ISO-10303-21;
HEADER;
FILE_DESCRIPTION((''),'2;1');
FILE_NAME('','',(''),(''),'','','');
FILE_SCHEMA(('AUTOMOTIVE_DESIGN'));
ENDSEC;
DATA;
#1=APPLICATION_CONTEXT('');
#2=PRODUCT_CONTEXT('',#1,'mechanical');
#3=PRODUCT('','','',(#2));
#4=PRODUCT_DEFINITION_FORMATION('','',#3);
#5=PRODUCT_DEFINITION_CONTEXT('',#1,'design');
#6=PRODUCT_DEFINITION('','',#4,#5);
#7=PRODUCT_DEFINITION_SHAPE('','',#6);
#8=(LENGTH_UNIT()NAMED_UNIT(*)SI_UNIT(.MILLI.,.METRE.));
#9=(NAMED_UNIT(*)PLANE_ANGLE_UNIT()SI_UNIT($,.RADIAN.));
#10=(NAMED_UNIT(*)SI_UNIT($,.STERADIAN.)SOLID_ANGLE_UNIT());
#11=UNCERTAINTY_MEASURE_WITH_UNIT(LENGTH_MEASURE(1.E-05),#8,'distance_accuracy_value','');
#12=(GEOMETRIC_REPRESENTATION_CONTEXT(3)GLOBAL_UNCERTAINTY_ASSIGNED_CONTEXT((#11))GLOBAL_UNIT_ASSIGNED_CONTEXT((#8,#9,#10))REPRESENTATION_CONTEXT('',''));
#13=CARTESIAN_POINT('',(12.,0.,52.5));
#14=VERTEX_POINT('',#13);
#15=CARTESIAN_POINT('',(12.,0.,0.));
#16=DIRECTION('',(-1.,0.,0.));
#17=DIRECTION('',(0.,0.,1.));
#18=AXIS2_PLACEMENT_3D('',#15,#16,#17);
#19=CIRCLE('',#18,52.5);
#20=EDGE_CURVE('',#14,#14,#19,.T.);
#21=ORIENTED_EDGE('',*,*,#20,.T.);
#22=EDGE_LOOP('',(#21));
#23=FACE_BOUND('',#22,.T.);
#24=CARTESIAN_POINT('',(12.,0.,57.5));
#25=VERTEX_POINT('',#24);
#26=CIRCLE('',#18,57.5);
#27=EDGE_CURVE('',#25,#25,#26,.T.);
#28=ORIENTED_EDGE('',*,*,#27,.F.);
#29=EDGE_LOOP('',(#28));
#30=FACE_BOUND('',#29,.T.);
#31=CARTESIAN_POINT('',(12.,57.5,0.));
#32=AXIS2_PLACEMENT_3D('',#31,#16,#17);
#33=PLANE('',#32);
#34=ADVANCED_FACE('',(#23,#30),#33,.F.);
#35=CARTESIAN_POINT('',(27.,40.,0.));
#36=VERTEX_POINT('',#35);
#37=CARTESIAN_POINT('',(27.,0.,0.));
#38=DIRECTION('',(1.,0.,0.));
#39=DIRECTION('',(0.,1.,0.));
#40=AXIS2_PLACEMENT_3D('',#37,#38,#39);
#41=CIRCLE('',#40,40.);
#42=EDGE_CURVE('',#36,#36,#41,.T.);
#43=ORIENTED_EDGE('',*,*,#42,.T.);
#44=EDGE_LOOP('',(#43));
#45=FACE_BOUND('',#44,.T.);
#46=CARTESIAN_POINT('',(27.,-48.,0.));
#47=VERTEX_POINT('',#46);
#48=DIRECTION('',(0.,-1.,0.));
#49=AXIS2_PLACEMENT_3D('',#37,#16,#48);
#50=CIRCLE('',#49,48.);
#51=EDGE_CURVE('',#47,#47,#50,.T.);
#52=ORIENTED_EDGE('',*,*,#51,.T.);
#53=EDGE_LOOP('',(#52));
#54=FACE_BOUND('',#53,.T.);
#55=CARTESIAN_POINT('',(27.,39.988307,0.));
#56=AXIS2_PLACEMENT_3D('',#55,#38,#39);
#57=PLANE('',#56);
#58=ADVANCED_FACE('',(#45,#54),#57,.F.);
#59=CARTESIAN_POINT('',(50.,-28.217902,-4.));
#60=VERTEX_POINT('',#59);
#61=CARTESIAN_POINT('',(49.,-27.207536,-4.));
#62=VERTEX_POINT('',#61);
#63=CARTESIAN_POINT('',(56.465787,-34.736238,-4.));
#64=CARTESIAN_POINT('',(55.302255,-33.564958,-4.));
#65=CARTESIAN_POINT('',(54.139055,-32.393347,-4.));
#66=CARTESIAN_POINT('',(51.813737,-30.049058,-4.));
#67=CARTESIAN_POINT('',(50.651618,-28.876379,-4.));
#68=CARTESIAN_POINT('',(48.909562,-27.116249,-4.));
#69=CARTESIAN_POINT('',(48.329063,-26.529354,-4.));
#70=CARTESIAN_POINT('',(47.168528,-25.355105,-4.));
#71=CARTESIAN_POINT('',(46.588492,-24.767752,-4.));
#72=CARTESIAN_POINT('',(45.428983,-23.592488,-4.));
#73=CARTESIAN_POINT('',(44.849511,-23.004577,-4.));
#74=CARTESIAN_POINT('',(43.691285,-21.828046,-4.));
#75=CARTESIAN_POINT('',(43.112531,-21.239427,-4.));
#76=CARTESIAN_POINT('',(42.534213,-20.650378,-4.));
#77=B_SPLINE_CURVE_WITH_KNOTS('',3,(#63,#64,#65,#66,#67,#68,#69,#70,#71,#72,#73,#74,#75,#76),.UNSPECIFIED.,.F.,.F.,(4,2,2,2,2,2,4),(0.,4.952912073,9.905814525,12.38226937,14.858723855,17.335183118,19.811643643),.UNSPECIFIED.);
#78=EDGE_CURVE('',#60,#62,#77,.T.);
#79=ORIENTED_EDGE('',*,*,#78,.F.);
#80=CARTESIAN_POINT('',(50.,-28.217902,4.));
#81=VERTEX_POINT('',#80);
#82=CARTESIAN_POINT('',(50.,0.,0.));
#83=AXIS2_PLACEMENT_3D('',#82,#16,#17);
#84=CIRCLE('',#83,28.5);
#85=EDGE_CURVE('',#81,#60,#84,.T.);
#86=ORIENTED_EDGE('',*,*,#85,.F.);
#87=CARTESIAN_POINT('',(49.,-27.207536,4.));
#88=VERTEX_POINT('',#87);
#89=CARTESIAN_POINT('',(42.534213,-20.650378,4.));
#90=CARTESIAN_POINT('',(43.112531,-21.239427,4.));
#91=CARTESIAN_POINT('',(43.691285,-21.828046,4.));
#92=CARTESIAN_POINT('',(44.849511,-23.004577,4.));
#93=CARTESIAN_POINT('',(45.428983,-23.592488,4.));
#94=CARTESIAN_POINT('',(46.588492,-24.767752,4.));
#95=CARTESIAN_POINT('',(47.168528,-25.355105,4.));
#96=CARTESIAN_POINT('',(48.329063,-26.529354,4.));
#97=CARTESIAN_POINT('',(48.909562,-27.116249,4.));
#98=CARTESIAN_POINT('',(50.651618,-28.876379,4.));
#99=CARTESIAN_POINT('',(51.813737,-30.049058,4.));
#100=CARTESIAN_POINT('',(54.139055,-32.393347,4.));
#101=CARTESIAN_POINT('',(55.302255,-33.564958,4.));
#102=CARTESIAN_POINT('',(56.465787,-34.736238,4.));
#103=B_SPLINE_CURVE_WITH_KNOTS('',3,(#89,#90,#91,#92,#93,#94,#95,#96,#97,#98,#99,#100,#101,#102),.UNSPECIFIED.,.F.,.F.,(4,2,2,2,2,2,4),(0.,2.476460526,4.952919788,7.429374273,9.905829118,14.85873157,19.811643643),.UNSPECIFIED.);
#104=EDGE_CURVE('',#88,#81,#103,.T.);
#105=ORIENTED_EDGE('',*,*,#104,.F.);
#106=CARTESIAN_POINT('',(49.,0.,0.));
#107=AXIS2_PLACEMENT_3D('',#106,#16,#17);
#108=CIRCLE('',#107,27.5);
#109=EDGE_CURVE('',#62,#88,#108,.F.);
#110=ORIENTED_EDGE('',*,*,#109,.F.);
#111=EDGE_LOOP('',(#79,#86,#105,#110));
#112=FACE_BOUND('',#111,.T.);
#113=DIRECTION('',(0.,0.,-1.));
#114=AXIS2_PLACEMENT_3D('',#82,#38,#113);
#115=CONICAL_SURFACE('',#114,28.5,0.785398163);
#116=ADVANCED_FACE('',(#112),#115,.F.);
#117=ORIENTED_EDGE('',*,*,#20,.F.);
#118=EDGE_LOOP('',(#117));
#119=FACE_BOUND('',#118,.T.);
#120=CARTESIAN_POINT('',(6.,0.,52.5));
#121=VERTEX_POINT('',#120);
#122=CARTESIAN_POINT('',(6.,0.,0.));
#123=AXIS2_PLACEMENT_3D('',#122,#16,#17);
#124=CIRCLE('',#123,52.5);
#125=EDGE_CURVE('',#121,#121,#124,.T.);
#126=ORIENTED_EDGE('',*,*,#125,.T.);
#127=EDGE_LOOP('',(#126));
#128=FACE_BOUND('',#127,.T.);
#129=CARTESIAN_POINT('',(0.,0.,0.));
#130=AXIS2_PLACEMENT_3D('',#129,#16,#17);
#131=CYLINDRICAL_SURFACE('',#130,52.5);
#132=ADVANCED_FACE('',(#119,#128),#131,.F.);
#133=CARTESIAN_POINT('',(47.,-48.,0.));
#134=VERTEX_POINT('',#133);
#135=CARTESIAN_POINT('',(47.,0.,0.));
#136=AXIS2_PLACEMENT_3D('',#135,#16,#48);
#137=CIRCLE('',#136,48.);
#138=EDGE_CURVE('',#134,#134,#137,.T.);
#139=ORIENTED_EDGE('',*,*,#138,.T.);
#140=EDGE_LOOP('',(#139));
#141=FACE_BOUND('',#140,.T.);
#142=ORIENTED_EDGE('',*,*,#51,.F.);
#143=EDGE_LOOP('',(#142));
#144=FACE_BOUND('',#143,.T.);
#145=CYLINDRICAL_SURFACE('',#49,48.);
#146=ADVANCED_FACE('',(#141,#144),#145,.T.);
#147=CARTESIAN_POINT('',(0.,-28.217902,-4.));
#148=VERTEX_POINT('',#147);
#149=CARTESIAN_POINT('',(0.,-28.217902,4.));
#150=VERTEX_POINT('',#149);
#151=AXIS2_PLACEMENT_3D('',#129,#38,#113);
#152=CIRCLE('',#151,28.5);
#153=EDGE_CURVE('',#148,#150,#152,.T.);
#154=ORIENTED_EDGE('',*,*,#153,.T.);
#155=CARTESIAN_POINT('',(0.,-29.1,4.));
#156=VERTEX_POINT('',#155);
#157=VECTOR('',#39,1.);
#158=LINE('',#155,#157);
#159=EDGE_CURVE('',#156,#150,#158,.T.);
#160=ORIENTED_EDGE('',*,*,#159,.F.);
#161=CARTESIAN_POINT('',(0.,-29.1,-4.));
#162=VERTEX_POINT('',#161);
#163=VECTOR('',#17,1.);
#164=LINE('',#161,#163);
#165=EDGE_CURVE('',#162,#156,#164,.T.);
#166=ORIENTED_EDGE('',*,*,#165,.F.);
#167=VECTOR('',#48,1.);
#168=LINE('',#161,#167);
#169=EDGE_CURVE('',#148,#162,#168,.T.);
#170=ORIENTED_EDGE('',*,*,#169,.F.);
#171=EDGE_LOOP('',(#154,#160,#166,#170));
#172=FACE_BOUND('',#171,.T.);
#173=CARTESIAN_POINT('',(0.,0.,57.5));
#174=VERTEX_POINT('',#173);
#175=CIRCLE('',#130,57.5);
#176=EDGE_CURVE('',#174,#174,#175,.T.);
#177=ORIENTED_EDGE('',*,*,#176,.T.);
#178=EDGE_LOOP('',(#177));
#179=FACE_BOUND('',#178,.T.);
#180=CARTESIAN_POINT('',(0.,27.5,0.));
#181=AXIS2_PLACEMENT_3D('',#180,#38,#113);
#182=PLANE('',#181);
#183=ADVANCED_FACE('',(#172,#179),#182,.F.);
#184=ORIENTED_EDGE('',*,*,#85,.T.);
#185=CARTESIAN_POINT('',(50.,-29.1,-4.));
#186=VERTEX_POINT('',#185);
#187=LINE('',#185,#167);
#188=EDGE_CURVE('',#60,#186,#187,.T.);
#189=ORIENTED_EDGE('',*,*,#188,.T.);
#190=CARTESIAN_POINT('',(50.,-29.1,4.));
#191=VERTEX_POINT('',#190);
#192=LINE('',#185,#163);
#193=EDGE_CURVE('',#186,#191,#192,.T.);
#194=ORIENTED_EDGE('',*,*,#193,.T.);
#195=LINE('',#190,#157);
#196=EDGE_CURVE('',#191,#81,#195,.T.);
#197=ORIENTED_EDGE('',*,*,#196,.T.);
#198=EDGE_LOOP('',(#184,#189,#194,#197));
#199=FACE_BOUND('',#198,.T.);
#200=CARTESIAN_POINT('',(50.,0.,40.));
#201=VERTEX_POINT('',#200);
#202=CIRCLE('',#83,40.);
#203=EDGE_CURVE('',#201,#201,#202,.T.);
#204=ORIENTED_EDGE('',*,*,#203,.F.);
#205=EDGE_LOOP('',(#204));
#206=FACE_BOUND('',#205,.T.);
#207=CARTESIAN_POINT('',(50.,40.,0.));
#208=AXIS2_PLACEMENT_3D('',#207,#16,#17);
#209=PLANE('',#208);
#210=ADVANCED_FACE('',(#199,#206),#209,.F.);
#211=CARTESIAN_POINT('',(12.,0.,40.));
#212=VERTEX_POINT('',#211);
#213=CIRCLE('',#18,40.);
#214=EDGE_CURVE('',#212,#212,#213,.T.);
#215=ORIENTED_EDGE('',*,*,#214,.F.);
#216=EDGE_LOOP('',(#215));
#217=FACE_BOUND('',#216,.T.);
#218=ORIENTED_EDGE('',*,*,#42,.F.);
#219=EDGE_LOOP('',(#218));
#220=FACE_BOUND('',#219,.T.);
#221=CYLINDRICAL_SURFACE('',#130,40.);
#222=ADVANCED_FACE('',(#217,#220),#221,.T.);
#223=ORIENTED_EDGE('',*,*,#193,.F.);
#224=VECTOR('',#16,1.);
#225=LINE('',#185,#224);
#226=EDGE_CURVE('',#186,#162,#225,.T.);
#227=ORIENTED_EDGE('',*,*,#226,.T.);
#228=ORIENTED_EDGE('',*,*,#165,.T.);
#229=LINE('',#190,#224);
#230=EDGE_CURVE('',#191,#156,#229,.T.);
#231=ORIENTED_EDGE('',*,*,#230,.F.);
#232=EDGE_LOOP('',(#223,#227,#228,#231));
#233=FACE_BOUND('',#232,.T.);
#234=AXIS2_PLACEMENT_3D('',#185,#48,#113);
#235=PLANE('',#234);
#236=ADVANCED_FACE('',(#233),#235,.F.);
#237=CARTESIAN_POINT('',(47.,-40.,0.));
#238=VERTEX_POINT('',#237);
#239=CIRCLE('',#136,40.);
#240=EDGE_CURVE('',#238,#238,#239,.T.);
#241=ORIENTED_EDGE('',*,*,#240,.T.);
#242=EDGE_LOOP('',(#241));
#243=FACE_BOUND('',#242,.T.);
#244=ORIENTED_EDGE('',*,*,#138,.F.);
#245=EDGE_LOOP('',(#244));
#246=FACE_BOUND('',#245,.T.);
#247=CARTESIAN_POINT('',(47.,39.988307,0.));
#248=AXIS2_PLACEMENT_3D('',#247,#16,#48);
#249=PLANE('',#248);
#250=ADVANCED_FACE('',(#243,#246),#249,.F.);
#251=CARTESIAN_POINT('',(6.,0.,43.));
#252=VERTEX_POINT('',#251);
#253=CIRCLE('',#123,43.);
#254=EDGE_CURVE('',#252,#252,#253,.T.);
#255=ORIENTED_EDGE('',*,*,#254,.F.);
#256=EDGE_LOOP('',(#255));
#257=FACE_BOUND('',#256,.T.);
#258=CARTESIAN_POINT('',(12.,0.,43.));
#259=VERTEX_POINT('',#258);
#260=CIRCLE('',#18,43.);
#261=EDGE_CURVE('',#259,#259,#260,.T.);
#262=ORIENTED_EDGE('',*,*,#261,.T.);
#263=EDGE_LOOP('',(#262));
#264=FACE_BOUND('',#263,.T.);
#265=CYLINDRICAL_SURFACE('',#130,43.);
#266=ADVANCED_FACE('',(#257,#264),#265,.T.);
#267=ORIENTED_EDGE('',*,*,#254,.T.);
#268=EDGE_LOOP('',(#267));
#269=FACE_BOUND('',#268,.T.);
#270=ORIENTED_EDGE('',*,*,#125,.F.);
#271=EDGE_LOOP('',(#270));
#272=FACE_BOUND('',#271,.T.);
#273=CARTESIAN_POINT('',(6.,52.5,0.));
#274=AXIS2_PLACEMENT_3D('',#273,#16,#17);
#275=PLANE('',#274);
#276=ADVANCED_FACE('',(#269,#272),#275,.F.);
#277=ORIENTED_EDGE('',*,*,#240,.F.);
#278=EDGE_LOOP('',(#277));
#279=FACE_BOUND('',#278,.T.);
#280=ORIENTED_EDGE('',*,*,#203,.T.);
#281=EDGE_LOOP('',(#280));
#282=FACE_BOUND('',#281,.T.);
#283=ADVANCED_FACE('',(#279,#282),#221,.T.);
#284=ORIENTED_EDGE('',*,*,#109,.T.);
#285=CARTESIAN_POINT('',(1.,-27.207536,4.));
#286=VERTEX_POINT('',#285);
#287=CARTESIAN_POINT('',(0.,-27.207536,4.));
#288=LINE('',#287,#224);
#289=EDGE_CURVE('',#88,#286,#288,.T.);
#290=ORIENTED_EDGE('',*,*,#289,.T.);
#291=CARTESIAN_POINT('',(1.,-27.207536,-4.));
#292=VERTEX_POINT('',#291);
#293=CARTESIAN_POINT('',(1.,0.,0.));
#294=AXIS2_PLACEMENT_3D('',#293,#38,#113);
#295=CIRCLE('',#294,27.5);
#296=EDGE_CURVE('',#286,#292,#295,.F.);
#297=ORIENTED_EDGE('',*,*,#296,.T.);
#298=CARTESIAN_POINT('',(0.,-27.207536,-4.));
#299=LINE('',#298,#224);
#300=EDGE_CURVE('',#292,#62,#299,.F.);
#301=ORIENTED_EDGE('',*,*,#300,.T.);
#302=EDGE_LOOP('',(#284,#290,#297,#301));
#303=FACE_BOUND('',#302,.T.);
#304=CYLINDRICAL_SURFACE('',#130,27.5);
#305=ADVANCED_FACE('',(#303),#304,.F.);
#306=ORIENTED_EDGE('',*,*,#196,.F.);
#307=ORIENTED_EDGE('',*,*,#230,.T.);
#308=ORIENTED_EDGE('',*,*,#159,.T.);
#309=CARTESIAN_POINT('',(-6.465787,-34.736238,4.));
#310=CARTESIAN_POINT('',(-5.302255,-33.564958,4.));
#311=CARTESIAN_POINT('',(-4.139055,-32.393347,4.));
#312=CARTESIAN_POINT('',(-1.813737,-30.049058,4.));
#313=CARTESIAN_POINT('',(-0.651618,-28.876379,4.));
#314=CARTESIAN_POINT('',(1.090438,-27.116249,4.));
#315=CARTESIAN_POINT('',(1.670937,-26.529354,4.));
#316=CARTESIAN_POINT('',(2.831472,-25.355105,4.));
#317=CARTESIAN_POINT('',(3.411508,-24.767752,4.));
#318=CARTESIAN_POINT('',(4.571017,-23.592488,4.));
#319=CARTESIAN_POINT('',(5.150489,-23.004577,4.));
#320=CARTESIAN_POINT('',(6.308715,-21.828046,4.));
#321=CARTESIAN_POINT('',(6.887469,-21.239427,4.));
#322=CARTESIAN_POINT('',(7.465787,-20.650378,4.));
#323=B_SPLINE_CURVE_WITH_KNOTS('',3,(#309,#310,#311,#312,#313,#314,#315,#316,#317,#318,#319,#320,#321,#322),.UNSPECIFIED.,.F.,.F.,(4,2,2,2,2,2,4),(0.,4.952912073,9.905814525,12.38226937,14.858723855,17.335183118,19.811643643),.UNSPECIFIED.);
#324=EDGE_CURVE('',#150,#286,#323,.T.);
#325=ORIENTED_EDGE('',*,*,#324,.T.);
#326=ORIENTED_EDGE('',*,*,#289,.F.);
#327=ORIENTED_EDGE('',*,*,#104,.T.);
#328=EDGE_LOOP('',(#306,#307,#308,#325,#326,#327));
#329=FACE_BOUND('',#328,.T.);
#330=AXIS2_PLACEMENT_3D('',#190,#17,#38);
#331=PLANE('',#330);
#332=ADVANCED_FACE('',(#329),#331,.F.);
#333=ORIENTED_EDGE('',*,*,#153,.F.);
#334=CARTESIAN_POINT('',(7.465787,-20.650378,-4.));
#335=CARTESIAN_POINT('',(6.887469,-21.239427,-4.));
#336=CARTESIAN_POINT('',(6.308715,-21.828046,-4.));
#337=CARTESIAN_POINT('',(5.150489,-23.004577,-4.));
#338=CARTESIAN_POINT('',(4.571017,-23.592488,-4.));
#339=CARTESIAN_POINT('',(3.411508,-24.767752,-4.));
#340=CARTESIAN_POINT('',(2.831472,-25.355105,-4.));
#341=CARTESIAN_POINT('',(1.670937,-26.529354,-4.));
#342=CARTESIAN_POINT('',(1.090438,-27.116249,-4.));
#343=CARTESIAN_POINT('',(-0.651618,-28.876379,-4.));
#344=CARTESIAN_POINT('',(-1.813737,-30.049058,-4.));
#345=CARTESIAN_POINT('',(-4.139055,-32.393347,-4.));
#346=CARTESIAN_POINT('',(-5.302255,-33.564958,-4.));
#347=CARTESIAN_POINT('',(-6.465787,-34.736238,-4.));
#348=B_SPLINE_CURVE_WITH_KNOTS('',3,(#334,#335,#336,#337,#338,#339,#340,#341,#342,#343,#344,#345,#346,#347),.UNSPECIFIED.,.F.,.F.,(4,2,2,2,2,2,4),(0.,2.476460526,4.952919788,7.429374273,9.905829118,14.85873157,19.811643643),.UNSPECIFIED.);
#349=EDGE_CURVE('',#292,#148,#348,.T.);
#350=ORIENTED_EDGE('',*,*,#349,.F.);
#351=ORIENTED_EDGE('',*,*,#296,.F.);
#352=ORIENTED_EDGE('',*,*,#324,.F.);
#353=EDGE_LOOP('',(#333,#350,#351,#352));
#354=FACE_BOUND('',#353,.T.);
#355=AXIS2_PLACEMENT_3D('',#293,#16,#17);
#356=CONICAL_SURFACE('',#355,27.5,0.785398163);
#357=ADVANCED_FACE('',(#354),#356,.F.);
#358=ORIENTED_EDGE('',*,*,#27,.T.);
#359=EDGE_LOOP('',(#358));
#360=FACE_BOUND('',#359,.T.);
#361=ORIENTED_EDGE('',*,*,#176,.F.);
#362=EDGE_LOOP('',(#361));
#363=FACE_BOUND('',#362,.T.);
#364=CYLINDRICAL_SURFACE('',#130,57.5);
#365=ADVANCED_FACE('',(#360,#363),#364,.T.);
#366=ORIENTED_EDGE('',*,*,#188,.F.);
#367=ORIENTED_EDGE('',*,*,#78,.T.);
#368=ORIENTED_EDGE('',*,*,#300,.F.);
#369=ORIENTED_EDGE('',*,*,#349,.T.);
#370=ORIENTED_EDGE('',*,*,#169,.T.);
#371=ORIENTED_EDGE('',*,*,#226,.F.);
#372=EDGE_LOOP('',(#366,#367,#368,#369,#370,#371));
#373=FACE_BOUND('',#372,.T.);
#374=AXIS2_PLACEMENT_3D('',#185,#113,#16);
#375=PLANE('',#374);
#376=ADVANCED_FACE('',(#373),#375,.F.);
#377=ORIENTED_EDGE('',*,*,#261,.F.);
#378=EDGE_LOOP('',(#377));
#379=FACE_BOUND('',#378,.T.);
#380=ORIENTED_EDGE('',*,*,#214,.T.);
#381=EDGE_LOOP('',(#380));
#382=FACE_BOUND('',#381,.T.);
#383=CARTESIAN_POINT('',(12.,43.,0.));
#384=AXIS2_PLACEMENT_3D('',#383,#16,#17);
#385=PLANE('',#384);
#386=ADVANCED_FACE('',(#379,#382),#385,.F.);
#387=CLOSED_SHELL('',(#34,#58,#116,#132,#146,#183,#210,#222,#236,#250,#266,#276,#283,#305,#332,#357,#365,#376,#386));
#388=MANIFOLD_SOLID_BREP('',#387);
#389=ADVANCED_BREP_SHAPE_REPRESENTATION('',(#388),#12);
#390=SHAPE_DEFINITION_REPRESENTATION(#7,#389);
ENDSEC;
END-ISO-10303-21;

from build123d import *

# Parameters (mm, degrees)
CHAMFER_1_SIZE      = 1
SKETCH_3_W          = 20
SKETCH_3_H          = 8.011692653
SKETCH_4_W          = 8
SKETCH_4_H          = 6.987786138
CUT_EXTRUDE_1_DEPTH = 96.45941546


with BuildPart() as part:
    # 草图1 → 旋转1 (revolve)
    with BuildSketch(Plane.XY, mode=Mode.PRIVATE) as revolve_1_sk:
        Polygon((0, 27.5), (0, 57.5), (12, 57.5), (12, 52.5), (6, 52.5), (6, 43), (12, 43), (12, 40), (50, 40), (50, 27.5), align=None)
    revolve(revolve_1_sk.sketch.rotate(Axis((0, 0, 0), (1, 0, 0)), 90), axis=Axis((0, 0, 0), (1, 0, 0)))

    # 倒角1
    chamfer_1_edges = [part.edges().sort_by_distance(p)[0] for p in [
        (0, 0, -27.5),
        (50, 0, -27.5),
    ]]
    chamfer(chamfer_1_edges, length=CHAMFER_1_SIZE)

    # 草图3 → 旋转2 (revolve)
    with BuildSketch(Plane.XY, mode=Mode.PRIVATE) as revolve_2_sk:
        with Locations((37, 43.994153674)):
            Rectangle(SKETCH_3_W, SKETCH_3_H)
    revolve(revolve_2_sk.sketch.rotate(Axis((27, 0, 0), (1, 0, 0)), 90), axis=Axis((27, 0, 0), (1, 0, 0)))

    # 草图4 → 切除-拉伸1 (cut, through all)
    with BuildSketch(Plane.ZY):
        with Locations((0, -25.606106931)):
            Rectangle(SKETCH_4_W, SKETCH_4_H)
    extrude(amount=-CUT_EXTRUDE_1_DEPTH, mode=Mode.SUBTRACT)


solid = part.part
